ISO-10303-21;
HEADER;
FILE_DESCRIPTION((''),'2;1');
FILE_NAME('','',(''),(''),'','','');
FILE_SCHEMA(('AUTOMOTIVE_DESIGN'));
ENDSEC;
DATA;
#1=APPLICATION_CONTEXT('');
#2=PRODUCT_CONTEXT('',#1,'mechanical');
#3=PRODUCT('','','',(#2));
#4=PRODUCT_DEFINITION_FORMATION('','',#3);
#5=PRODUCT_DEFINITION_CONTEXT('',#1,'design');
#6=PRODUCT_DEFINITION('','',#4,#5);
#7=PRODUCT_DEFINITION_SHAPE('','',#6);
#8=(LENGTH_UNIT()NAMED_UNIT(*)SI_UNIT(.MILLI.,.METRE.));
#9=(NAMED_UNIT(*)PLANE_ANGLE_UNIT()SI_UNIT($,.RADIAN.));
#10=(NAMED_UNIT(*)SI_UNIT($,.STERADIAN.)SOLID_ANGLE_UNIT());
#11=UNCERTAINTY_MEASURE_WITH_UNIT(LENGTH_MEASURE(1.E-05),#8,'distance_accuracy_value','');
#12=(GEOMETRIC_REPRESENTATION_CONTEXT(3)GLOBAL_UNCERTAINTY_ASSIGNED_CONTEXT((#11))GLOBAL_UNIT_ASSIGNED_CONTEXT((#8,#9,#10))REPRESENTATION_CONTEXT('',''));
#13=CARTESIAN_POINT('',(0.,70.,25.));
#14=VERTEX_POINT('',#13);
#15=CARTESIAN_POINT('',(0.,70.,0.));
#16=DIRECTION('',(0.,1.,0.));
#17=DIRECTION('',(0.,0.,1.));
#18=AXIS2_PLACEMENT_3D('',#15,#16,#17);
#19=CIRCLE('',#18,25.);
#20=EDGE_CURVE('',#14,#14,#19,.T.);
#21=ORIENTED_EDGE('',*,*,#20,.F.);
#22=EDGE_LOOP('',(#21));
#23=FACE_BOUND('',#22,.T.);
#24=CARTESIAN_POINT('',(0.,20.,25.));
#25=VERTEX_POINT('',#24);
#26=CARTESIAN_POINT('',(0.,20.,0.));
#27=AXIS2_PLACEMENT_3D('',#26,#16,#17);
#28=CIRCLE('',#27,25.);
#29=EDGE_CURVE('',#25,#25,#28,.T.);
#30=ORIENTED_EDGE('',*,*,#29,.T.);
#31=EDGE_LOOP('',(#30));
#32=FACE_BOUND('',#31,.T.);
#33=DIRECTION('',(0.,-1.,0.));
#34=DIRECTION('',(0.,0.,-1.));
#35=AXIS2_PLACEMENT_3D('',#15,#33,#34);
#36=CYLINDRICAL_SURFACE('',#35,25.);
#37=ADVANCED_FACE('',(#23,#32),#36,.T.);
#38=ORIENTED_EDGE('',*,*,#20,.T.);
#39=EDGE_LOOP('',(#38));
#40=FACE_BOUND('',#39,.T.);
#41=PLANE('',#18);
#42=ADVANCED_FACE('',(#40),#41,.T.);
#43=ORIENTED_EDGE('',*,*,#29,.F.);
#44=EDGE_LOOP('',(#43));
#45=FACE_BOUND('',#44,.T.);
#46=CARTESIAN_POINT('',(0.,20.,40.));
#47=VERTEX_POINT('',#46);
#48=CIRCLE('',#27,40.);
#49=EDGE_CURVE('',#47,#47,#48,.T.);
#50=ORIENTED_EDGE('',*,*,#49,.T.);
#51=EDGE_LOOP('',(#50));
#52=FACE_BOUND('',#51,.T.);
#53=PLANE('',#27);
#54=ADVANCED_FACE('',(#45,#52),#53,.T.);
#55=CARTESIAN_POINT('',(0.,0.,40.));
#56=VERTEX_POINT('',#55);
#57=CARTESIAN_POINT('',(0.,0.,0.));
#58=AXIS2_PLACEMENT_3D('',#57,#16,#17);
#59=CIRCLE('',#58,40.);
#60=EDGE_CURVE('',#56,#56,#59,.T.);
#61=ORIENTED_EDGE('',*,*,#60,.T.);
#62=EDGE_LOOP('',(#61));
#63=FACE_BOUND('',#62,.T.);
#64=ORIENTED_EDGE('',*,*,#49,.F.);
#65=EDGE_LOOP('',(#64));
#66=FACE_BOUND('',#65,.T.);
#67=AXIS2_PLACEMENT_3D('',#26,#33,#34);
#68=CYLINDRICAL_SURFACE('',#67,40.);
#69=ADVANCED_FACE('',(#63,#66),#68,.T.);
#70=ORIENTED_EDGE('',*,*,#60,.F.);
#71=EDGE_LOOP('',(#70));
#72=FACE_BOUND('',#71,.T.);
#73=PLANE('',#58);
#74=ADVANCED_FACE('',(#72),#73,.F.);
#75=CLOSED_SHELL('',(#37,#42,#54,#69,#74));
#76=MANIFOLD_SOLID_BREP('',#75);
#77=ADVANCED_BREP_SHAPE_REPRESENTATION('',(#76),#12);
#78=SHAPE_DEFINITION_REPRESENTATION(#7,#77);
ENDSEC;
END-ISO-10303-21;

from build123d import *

# Parameters (mm, degrees)
SKETCH2_R           = 40
BOSS_EXTRUDE1_DEPTH = 20
SKETCH3_R           = 25
BOSS_EXTRUDE2_DEPTH = 50


with BuildPart() as part:
    # Sketch2 → Boss-Extrude1 (new body)
    with BuildSketch(Plane(origin=(0, 0, 0), x_dir=(1, 0, 0), z_dir=(0, 1, 0))):
        with Locations(Location((0, 0, 0), (0, 0, 270))):
            Circle(SKETCH2_R)
    extrude(amount=BOSS_EXTRUDE1_DEPTH)

    # Sketch3 → Boss-Extrude2 (add)
    with BuildSketch(Plane(origin=(0, 20, 0), x_dir=(1, 0, 0), z_dir=(0, 1, 0))):
        with Locations(Location((0, 0, 0), (0, 0, 270))):
            Circle(SKETCH3_R)
    extrude(amount=BOSS_EXTRUDE2_DEPTH)


solid = part.part
